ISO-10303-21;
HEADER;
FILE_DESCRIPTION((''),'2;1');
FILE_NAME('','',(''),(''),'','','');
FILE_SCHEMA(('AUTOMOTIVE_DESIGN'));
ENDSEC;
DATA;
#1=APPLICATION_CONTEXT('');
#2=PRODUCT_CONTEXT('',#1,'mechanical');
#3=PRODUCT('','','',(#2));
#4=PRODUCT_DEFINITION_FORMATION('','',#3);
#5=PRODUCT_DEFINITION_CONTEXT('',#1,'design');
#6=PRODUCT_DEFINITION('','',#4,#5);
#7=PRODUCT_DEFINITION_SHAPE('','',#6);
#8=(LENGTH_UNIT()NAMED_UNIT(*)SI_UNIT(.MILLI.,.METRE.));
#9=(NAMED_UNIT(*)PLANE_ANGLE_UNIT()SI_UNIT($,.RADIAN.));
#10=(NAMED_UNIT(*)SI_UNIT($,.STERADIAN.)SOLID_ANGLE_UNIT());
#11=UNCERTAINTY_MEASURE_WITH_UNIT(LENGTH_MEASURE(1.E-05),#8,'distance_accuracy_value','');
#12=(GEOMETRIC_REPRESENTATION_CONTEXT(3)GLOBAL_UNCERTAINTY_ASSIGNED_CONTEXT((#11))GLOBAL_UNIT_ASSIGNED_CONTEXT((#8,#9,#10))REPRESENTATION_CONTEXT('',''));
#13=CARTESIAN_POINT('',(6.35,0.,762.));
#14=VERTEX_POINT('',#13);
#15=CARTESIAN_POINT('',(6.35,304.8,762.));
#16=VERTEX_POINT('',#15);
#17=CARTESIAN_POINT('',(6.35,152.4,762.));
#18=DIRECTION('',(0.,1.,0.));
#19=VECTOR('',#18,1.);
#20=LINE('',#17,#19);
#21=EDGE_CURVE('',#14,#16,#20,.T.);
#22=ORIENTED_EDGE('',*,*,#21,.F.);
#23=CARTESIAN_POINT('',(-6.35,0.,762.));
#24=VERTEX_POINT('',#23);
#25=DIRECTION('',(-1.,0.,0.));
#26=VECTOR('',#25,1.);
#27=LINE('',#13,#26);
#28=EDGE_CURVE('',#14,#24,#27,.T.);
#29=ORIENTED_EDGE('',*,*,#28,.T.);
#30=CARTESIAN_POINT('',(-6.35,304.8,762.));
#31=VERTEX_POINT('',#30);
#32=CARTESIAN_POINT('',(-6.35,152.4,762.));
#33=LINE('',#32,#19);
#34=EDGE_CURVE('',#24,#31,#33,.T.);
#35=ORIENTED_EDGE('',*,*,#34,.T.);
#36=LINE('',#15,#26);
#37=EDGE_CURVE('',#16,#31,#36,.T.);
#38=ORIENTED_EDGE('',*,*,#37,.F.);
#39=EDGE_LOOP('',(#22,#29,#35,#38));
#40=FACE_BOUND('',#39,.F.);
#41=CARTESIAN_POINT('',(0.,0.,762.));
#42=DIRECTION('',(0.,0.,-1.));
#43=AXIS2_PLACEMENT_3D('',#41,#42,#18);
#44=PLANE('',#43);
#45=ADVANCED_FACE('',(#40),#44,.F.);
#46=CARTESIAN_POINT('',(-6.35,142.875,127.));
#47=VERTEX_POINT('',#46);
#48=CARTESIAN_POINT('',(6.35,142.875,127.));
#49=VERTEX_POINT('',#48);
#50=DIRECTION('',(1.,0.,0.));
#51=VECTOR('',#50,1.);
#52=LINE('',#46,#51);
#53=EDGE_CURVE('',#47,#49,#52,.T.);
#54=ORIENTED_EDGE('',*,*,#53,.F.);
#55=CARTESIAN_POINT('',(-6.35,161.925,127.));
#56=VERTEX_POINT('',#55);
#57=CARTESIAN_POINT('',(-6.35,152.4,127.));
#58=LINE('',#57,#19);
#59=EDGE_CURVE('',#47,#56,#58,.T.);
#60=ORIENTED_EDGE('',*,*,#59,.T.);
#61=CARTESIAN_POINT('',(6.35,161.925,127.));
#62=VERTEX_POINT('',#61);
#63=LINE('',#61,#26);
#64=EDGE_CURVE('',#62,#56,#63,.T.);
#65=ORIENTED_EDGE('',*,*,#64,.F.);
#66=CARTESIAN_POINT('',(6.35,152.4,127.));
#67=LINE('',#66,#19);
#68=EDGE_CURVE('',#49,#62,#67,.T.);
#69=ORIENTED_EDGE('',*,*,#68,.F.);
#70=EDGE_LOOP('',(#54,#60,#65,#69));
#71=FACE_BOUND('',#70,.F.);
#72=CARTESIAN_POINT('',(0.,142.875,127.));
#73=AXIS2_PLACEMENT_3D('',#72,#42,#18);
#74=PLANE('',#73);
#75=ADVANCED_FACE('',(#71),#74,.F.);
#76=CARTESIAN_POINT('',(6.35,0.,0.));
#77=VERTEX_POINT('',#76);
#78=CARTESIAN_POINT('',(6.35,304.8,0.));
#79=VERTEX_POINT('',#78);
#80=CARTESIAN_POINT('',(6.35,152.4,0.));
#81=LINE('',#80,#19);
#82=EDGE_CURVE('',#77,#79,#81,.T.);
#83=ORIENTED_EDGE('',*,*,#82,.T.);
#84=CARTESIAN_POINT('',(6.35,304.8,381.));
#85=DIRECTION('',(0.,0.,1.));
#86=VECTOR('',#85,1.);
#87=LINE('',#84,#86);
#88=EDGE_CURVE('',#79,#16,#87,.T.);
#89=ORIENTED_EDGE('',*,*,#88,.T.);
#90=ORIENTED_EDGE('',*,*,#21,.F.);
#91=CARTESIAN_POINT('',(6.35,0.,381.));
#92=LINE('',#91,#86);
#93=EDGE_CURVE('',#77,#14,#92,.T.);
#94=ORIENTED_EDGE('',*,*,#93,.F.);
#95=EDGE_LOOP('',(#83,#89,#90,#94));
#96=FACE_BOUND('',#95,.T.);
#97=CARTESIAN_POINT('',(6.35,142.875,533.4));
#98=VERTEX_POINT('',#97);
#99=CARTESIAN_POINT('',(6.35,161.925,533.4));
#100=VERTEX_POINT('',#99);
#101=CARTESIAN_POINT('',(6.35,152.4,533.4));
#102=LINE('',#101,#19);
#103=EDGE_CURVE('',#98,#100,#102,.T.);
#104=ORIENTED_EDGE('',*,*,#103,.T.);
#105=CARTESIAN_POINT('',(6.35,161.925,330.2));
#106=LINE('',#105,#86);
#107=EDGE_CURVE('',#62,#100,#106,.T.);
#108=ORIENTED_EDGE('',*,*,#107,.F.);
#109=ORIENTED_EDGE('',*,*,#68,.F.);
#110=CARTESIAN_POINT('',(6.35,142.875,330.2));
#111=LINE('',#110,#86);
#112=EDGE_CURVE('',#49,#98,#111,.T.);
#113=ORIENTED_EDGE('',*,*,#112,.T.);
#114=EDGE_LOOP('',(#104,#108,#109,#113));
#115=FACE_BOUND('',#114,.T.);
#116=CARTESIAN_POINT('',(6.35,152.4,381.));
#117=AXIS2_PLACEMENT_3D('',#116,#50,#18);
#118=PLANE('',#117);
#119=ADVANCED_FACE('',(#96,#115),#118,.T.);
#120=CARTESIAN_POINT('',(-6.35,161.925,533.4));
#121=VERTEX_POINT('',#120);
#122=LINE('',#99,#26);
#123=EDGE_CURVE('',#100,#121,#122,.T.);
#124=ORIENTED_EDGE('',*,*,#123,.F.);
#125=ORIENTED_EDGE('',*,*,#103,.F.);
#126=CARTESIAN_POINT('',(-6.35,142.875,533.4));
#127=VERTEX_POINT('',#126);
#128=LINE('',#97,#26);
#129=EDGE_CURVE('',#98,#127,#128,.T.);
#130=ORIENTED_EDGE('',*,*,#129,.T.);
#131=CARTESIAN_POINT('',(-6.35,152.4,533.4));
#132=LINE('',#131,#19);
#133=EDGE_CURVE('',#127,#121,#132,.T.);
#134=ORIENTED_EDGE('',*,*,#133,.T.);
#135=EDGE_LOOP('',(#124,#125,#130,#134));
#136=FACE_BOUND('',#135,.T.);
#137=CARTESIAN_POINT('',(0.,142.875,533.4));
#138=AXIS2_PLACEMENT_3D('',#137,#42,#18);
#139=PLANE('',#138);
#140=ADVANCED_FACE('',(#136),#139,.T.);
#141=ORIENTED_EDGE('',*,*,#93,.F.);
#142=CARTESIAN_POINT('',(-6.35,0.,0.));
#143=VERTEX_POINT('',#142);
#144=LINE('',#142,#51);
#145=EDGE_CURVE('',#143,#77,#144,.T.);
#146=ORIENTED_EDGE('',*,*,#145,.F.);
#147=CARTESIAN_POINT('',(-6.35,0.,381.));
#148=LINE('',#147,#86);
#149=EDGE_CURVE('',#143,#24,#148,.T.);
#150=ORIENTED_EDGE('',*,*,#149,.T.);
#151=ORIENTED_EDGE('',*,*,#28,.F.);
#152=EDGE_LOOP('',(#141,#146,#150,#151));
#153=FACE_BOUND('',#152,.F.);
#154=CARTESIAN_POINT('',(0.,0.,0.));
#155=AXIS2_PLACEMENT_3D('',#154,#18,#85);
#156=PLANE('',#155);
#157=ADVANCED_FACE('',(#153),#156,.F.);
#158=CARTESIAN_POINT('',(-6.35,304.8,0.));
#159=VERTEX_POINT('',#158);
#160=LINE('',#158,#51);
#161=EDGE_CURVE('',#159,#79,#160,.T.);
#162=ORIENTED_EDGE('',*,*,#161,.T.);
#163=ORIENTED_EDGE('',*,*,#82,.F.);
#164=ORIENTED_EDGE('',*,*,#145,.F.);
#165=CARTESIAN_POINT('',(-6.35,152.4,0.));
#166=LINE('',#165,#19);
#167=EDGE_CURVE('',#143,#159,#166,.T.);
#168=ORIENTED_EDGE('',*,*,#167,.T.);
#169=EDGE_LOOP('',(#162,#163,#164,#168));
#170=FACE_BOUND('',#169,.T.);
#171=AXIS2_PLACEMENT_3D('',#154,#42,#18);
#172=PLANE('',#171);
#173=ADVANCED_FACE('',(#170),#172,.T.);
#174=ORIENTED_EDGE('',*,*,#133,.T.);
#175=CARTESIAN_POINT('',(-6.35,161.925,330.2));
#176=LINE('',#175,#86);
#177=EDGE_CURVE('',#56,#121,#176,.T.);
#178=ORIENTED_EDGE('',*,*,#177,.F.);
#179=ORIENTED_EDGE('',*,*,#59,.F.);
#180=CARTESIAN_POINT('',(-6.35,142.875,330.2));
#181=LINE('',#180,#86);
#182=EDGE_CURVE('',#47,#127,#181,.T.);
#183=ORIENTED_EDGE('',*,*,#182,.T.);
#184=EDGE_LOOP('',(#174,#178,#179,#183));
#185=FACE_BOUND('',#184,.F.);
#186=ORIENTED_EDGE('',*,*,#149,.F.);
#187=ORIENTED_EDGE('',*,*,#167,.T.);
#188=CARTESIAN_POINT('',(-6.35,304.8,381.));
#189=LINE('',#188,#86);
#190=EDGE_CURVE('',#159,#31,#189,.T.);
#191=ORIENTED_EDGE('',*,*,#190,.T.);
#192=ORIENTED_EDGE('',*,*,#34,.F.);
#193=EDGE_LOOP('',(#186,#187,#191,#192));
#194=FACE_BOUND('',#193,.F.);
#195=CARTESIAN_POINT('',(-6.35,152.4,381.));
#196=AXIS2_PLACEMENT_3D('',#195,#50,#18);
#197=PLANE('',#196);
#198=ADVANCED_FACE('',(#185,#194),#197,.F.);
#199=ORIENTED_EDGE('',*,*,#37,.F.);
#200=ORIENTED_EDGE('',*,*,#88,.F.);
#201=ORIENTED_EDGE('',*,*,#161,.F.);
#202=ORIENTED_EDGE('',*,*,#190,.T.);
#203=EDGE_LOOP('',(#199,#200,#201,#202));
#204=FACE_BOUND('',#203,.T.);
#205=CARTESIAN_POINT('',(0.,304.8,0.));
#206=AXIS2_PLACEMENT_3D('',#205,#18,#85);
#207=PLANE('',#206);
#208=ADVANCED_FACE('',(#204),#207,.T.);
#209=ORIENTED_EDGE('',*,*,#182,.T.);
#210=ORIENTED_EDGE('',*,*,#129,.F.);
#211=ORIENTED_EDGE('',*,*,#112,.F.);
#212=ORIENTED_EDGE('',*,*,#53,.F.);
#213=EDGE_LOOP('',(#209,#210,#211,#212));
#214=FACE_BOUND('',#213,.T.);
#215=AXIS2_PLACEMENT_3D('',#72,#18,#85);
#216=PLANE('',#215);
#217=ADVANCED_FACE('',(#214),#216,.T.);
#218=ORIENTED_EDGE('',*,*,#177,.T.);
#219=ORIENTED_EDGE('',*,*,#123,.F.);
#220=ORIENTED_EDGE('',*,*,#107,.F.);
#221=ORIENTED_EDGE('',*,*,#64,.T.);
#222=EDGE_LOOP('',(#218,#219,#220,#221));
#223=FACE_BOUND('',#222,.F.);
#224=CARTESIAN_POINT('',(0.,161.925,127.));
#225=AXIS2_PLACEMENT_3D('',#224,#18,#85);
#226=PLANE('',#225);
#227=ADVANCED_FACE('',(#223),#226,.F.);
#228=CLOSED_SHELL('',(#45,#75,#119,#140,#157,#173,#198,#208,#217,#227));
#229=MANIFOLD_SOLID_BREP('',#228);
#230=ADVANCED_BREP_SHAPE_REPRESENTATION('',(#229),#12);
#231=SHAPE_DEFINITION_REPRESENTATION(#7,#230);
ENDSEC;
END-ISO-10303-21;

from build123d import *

# Parameters (mm, degrees)
F0_W     = 304.8
F0_H     = 762
F0_W_2   = 19.05
F0_H_2   = 406.4
F1_DEPTH = 6.35


with BuildPart() as f1:
    # F0 (on Right) → F1 (new body, symmetric)
    with BuildSketch(Plane.YZ):
        with Locations((152.4, 381)):
            Rectangle(F0_W, F0_H)
        with Locations((152.4, 330.2)):
            Rectangle(F0_W_2, F0_H_2, mode=Mode.SUBTRACT)
    extrude(amount=F1_DEPTH, both=True)


solid = f1.part
